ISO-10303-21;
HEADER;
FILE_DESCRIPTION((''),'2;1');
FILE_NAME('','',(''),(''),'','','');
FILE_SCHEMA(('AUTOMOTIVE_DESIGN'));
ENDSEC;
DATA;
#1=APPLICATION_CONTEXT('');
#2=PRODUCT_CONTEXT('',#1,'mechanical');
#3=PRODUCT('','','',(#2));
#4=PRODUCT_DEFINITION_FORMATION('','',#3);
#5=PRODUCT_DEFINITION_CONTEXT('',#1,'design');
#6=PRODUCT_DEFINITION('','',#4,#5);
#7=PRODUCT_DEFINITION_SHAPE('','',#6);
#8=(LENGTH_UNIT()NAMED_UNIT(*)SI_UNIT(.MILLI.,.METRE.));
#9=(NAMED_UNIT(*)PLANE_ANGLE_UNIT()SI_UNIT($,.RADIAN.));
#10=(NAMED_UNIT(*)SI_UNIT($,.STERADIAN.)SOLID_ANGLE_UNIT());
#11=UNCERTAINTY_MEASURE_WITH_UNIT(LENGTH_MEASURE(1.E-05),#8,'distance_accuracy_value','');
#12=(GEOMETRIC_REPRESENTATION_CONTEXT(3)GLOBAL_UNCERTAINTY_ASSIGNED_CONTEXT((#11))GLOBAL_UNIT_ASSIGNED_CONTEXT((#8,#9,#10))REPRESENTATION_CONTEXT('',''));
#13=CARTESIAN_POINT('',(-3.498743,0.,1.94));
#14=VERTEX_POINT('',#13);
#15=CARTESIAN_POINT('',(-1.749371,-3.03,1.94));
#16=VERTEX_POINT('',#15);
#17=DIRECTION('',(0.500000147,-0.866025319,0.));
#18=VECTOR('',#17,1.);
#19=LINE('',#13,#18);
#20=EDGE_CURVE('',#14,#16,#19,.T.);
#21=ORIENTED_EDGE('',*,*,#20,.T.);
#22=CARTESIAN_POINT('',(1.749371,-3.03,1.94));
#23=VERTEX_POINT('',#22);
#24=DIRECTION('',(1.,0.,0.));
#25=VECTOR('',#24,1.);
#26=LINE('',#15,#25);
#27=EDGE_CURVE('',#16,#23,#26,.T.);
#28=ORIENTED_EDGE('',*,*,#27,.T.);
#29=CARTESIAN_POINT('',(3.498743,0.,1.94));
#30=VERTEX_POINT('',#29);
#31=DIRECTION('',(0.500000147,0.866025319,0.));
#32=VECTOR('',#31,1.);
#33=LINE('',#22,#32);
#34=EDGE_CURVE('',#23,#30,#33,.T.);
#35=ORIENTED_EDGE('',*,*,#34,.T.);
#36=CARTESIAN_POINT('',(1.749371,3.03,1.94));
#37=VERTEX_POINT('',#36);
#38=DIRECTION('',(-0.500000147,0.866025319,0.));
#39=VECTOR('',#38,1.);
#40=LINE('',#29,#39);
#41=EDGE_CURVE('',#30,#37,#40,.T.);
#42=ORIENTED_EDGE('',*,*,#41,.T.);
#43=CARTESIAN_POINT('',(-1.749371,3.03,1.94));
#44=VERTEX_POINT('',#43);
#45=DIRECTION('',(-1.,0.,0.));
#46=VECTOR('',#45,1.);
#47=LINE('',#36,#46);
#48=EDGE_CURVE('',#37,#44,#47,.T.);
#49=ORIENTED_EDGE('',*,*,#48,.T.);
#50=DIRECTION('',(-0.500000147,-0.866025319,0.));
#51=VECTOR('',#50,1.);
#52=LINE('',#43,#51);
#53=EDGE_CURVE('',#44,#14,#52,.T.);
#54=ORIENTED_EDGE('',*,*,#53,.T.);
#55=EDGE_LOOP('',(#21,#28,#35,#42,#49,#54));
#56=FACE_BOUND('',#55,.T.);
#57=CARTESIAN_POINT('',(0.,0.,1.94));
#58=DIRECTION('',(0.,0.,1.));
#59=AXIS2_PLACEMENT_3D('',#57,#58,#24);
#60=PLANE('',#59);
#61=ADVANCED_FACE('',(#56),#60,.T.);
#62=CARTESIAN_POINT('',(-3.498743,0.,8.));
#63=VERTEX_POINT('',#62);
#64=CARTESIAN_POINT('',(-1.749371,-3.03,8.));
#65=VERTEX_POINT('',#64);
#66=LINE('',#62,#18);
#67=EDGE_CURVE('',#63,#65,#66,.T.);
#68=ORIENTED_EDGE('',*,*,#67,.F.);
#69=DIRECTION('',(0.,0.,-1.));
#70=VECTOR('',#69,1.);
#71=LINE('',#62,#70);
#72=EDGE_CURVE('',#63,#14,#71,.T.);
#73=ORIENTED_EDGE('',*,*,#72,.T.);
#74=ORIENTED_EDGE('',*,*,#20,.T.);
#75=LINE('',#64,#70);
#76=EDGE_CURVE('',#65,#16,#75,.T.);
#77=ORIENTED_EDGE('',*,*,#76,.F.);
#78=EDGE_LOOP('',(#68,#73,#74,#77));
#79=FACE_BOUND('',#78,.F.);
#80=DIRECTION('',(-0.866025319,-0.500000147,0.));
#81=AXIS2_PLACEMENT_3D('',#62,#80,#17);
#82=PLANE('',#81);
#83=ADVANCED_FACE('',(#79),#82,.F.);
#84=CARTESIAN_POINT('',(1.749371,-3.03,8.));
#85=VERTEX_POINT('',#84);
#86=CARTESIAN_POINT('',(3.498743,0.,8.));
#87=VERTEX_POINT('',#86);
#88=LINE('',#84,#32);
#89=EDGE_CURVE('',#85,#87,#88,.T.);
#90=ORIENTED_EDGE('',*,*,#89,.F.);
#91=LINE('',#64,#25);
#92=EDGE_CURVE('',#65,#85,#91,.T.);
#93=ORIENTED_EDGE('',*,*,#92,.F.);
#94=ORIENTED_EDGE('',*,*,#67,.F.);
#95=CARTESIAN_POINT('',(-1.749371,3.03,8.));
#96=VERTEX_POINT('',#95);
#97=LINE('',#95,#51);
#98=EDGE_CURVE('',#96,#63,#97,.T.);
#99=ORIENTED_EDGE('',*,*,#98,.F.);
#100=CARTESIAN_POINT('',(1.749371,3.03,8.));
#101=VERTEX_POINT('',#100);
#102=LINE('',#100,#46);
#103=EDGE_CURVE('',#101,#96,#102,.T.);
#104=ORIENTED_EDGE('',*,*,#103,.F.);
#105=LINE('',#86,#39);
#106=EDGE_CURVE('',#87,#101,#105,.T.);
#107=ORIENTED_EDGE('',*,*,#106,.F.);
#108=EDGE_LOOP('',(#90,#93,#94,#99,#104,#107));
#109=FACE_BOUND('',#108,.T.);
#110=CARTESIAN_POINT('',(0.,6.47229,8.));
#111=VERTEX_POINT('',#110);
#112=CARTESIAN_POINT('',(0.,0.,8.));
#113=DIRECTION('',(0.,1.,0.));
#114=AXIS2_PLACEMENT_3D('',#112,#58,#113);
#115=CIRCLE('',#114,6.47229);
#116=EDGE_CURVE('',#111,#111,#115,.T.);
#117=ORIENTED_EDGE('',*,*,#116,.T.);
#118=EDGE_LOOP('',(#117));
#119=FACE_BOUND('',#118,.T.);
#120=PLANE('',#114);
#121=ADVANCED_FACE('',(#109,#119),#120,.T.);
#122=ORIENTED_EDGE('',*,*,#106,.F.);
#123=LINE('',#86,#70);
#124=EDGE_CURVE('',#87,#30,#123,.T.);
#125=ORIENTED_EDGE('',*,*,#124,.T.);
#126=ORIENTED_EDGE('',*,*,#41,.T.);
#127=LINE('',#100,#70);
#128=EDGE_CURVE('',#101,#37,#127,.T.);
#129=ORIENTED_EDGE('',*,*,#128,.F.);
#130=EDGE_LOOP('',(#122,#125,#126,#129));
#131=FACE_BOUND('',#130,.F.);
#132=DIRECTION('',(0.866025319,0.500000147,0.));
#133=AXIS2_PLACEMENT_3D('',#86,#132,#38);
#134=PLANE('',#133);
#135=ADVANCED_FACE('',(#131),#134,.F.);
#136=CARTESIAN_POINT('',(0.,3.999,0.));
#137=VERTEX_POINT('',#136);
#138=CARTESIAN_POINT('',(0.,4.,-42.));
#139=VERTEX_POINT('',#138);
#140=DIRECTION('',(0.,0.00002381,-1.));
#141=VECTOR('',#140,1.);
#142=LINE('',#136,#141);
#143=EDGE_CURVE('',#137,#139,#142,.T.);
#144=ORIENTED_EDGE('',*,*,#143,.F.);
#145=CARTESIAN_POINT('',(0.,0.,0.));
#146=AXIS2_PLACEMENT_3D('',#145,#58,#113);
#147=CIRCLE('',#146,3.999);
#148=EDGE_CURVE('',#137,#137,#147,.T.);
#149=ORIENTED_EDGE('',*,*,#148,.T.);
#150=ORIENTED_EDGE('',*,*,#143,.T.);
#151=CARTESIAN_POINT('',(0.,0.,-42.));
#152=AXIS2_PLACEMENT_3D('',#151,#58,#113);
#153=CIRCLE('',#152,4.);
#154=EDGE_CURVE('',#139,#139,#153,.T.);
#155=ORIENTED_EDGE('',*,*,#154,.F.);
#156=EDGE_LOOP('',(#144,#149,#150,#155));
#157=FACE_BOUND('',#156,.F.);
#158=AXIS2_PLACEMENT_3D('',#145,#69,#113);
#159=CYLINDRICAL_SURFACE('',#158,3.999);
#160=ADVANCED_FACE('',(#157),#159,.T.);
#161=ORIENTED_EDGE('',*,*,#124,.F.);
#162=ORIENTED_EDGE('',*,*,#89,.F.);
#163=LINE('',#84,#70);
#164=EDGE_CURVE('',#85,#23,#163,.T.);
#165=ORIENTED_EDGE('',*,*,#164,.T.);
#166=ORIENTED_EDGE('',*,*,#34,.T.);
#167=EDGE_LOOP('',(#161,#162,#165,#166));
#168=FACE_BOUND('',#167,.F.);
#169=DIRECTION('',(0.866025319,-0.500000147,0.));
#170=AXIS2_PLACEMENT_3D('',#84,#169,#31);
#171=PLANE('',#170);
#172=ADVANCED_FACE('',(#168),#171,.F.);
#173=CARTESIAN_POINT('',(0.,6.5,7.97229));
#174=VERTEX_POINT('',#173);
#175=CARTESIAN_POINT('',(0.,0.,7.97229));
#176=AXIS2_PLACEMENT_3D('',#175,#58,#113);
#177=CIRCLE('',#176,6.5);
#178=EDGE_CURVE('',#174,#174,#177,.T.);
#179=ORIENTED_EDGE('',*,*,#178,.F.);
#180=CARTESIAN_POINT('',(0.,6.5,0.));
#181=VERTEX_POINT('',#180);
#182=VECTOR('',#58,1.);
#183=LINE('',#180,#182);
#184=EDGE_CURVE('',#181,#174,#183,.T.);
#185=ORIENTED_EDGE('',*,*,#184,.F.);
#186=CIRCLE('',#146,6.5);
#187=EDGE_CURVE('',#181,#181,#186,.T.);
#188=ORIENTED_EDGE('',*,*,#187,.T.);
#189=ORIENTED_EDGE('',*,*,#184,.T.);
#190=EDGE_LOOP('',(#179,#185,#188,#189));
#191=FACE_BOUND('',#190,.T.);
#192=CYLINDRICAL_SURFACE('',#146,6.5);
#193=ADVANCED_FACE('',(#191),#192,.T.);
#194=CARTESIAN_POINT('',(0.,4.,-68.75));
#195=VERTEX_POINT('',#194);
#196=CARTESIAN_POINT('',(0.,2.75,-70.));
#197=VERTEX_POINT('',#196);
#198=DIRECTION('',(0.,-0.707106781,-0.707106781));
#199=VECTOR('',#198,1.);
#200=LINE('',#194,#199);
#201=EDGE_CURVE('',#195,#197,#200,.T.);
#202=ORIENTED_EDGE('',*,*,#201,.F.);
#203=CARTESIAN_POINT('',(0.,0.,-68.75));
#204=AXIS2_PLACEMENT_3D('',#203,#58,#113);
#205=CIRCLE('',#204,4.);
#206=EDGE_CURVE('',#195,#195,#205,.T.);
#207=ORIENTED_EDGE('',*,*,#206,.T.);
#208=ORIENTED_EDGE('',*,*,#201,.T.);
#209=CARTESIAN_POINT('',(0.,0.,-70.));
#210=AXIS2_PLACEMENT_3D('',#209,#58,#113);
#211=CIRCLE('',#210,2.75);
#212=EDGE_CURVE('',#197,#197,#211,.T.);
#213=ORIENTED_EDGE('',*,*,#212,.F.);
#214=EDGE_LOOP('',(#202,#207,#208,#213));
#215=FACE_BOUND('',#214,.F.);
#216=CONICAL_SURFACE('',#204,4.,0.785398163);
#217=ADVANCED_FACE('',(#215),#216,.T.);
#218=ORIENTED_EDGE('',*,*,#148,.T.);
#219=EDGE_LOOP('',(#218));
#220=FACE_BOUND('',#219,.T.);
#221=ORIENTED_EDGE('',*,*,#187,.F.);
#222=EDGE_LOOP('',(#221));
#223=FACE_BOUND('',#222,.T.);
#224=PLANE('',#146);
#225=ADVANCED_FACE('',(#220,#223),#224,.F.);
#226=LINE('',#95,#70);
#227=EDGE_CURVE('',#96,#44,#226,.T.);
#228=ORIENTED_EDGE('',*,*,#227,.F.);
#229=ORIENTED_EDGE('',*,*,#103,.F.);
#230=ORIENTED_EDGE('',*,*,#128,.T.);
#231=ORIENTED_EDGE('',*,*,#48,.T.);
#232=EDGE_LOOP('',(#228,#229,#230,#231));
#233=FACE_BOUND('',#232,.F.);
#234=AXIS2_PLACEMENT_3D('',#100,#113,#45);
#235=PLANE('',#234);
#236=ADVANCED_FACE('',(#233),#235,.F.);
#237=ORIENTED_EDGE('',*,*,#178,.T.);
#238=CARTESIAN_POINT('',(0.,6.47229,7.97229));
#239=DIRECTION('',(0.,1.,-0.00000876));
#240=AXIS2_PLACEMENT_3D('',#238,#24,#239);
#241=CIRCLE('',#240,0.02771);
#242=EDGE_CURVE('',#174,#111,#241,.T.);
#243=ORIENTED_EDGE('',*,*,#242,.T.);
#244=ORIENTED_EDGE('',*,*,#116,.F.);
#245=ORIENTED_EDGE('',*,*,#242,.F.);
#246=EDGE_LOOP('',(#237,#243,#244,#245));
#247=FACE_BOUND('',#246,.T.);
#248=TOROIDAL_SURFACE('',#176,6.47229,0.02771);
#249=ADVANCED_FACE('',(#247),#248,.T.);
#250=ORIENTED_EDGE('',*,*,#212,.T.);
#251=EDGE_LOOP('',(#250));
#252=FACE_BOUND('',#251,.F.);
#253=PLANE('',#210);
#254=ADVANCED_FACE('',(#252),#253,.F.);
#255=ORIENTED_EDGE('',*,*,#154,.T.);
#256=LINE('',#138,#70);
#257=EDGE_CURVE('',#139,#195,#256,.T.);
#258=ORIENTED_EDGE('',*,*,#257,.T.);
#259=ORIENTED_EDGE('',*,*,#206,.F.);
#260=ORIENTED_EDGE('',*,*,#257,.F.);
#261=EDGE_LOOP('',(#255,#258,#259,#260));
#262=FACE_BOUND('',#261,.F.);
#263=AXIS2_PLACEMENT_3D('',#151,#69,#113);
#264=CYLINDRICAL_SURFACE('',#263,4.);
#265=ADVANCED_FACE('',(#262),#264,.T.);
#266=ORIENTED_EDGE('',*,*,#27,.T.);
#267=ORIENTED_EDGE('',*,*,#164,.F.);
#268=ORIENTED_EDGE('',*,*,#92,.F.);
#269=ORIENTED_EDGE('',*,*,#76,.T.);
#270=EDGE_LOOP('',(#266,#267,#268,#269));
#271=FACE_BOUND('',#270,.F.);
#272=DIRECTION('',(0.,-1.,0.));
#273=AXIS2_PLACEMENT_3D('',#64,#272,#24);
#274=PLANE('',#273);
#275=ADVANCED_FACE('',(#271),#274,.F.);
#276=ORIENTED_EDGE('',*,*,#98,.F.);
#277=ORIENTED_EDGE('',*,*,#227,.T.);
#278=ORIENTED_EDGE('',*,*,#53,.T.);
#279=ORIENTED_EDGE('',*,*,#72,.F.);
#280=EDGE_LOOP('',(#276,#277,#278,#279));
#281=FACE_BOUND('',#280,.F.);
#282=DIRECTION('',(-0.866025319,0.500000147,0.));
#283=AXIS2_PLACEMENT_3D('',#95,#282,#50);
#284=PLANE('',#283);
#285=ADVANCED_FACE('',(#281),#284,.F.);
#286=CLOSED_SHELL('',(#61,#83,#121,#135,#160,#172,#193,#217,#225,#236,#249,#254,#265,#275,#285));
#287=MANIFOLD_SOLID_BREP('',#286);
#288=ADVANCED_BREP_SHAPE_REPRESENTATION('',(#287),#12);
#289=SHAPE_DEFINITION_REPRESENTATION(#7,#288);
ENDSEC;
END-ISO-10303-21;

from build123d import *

# Parameters (mm, degrees)
POCKET_DEPTH = 6.06


with BuildPart() as part:
    # Sketch → Revolve (revolve)
    with BuildSketch(Plane.YZ):
        with BuildLine():
            Line((3.999, 0), (6.5, 0))
            Line((6.5, 0), (6.5, 7.97229))
            ThreePointArc((6.5, 7.97229), (6.491884, 7.991884), (6.47229, 8))
            Line((6.47229, 8), (0, 8))
            Line((0, -70), (0, 8))
            Line((2.75, -70), (0, -70))
            Line((4, -68.75), (2.75, -70))
            Line((4, -42), (4, -68.75))
            Line((3.999, 0), (4, -42))
        make_face()
    revolve(axis=Axis((0, 0, 0), (0, 0, 1)))

    # Sketch001 → Pocket (cut)
    with BuildSketch(Plane.XY.offset(8)):
        Polygon((3.498743, 0), (1.749371, 3.03), (-1.749371, 3.03), (-3.498743, 0), (-1.749371, -3.03), (1.749371, -3.03), align=None)
    extrude(amount=-POCKET_DEPTH, mode=Mode.SUBTRACT)


solid = part.part
